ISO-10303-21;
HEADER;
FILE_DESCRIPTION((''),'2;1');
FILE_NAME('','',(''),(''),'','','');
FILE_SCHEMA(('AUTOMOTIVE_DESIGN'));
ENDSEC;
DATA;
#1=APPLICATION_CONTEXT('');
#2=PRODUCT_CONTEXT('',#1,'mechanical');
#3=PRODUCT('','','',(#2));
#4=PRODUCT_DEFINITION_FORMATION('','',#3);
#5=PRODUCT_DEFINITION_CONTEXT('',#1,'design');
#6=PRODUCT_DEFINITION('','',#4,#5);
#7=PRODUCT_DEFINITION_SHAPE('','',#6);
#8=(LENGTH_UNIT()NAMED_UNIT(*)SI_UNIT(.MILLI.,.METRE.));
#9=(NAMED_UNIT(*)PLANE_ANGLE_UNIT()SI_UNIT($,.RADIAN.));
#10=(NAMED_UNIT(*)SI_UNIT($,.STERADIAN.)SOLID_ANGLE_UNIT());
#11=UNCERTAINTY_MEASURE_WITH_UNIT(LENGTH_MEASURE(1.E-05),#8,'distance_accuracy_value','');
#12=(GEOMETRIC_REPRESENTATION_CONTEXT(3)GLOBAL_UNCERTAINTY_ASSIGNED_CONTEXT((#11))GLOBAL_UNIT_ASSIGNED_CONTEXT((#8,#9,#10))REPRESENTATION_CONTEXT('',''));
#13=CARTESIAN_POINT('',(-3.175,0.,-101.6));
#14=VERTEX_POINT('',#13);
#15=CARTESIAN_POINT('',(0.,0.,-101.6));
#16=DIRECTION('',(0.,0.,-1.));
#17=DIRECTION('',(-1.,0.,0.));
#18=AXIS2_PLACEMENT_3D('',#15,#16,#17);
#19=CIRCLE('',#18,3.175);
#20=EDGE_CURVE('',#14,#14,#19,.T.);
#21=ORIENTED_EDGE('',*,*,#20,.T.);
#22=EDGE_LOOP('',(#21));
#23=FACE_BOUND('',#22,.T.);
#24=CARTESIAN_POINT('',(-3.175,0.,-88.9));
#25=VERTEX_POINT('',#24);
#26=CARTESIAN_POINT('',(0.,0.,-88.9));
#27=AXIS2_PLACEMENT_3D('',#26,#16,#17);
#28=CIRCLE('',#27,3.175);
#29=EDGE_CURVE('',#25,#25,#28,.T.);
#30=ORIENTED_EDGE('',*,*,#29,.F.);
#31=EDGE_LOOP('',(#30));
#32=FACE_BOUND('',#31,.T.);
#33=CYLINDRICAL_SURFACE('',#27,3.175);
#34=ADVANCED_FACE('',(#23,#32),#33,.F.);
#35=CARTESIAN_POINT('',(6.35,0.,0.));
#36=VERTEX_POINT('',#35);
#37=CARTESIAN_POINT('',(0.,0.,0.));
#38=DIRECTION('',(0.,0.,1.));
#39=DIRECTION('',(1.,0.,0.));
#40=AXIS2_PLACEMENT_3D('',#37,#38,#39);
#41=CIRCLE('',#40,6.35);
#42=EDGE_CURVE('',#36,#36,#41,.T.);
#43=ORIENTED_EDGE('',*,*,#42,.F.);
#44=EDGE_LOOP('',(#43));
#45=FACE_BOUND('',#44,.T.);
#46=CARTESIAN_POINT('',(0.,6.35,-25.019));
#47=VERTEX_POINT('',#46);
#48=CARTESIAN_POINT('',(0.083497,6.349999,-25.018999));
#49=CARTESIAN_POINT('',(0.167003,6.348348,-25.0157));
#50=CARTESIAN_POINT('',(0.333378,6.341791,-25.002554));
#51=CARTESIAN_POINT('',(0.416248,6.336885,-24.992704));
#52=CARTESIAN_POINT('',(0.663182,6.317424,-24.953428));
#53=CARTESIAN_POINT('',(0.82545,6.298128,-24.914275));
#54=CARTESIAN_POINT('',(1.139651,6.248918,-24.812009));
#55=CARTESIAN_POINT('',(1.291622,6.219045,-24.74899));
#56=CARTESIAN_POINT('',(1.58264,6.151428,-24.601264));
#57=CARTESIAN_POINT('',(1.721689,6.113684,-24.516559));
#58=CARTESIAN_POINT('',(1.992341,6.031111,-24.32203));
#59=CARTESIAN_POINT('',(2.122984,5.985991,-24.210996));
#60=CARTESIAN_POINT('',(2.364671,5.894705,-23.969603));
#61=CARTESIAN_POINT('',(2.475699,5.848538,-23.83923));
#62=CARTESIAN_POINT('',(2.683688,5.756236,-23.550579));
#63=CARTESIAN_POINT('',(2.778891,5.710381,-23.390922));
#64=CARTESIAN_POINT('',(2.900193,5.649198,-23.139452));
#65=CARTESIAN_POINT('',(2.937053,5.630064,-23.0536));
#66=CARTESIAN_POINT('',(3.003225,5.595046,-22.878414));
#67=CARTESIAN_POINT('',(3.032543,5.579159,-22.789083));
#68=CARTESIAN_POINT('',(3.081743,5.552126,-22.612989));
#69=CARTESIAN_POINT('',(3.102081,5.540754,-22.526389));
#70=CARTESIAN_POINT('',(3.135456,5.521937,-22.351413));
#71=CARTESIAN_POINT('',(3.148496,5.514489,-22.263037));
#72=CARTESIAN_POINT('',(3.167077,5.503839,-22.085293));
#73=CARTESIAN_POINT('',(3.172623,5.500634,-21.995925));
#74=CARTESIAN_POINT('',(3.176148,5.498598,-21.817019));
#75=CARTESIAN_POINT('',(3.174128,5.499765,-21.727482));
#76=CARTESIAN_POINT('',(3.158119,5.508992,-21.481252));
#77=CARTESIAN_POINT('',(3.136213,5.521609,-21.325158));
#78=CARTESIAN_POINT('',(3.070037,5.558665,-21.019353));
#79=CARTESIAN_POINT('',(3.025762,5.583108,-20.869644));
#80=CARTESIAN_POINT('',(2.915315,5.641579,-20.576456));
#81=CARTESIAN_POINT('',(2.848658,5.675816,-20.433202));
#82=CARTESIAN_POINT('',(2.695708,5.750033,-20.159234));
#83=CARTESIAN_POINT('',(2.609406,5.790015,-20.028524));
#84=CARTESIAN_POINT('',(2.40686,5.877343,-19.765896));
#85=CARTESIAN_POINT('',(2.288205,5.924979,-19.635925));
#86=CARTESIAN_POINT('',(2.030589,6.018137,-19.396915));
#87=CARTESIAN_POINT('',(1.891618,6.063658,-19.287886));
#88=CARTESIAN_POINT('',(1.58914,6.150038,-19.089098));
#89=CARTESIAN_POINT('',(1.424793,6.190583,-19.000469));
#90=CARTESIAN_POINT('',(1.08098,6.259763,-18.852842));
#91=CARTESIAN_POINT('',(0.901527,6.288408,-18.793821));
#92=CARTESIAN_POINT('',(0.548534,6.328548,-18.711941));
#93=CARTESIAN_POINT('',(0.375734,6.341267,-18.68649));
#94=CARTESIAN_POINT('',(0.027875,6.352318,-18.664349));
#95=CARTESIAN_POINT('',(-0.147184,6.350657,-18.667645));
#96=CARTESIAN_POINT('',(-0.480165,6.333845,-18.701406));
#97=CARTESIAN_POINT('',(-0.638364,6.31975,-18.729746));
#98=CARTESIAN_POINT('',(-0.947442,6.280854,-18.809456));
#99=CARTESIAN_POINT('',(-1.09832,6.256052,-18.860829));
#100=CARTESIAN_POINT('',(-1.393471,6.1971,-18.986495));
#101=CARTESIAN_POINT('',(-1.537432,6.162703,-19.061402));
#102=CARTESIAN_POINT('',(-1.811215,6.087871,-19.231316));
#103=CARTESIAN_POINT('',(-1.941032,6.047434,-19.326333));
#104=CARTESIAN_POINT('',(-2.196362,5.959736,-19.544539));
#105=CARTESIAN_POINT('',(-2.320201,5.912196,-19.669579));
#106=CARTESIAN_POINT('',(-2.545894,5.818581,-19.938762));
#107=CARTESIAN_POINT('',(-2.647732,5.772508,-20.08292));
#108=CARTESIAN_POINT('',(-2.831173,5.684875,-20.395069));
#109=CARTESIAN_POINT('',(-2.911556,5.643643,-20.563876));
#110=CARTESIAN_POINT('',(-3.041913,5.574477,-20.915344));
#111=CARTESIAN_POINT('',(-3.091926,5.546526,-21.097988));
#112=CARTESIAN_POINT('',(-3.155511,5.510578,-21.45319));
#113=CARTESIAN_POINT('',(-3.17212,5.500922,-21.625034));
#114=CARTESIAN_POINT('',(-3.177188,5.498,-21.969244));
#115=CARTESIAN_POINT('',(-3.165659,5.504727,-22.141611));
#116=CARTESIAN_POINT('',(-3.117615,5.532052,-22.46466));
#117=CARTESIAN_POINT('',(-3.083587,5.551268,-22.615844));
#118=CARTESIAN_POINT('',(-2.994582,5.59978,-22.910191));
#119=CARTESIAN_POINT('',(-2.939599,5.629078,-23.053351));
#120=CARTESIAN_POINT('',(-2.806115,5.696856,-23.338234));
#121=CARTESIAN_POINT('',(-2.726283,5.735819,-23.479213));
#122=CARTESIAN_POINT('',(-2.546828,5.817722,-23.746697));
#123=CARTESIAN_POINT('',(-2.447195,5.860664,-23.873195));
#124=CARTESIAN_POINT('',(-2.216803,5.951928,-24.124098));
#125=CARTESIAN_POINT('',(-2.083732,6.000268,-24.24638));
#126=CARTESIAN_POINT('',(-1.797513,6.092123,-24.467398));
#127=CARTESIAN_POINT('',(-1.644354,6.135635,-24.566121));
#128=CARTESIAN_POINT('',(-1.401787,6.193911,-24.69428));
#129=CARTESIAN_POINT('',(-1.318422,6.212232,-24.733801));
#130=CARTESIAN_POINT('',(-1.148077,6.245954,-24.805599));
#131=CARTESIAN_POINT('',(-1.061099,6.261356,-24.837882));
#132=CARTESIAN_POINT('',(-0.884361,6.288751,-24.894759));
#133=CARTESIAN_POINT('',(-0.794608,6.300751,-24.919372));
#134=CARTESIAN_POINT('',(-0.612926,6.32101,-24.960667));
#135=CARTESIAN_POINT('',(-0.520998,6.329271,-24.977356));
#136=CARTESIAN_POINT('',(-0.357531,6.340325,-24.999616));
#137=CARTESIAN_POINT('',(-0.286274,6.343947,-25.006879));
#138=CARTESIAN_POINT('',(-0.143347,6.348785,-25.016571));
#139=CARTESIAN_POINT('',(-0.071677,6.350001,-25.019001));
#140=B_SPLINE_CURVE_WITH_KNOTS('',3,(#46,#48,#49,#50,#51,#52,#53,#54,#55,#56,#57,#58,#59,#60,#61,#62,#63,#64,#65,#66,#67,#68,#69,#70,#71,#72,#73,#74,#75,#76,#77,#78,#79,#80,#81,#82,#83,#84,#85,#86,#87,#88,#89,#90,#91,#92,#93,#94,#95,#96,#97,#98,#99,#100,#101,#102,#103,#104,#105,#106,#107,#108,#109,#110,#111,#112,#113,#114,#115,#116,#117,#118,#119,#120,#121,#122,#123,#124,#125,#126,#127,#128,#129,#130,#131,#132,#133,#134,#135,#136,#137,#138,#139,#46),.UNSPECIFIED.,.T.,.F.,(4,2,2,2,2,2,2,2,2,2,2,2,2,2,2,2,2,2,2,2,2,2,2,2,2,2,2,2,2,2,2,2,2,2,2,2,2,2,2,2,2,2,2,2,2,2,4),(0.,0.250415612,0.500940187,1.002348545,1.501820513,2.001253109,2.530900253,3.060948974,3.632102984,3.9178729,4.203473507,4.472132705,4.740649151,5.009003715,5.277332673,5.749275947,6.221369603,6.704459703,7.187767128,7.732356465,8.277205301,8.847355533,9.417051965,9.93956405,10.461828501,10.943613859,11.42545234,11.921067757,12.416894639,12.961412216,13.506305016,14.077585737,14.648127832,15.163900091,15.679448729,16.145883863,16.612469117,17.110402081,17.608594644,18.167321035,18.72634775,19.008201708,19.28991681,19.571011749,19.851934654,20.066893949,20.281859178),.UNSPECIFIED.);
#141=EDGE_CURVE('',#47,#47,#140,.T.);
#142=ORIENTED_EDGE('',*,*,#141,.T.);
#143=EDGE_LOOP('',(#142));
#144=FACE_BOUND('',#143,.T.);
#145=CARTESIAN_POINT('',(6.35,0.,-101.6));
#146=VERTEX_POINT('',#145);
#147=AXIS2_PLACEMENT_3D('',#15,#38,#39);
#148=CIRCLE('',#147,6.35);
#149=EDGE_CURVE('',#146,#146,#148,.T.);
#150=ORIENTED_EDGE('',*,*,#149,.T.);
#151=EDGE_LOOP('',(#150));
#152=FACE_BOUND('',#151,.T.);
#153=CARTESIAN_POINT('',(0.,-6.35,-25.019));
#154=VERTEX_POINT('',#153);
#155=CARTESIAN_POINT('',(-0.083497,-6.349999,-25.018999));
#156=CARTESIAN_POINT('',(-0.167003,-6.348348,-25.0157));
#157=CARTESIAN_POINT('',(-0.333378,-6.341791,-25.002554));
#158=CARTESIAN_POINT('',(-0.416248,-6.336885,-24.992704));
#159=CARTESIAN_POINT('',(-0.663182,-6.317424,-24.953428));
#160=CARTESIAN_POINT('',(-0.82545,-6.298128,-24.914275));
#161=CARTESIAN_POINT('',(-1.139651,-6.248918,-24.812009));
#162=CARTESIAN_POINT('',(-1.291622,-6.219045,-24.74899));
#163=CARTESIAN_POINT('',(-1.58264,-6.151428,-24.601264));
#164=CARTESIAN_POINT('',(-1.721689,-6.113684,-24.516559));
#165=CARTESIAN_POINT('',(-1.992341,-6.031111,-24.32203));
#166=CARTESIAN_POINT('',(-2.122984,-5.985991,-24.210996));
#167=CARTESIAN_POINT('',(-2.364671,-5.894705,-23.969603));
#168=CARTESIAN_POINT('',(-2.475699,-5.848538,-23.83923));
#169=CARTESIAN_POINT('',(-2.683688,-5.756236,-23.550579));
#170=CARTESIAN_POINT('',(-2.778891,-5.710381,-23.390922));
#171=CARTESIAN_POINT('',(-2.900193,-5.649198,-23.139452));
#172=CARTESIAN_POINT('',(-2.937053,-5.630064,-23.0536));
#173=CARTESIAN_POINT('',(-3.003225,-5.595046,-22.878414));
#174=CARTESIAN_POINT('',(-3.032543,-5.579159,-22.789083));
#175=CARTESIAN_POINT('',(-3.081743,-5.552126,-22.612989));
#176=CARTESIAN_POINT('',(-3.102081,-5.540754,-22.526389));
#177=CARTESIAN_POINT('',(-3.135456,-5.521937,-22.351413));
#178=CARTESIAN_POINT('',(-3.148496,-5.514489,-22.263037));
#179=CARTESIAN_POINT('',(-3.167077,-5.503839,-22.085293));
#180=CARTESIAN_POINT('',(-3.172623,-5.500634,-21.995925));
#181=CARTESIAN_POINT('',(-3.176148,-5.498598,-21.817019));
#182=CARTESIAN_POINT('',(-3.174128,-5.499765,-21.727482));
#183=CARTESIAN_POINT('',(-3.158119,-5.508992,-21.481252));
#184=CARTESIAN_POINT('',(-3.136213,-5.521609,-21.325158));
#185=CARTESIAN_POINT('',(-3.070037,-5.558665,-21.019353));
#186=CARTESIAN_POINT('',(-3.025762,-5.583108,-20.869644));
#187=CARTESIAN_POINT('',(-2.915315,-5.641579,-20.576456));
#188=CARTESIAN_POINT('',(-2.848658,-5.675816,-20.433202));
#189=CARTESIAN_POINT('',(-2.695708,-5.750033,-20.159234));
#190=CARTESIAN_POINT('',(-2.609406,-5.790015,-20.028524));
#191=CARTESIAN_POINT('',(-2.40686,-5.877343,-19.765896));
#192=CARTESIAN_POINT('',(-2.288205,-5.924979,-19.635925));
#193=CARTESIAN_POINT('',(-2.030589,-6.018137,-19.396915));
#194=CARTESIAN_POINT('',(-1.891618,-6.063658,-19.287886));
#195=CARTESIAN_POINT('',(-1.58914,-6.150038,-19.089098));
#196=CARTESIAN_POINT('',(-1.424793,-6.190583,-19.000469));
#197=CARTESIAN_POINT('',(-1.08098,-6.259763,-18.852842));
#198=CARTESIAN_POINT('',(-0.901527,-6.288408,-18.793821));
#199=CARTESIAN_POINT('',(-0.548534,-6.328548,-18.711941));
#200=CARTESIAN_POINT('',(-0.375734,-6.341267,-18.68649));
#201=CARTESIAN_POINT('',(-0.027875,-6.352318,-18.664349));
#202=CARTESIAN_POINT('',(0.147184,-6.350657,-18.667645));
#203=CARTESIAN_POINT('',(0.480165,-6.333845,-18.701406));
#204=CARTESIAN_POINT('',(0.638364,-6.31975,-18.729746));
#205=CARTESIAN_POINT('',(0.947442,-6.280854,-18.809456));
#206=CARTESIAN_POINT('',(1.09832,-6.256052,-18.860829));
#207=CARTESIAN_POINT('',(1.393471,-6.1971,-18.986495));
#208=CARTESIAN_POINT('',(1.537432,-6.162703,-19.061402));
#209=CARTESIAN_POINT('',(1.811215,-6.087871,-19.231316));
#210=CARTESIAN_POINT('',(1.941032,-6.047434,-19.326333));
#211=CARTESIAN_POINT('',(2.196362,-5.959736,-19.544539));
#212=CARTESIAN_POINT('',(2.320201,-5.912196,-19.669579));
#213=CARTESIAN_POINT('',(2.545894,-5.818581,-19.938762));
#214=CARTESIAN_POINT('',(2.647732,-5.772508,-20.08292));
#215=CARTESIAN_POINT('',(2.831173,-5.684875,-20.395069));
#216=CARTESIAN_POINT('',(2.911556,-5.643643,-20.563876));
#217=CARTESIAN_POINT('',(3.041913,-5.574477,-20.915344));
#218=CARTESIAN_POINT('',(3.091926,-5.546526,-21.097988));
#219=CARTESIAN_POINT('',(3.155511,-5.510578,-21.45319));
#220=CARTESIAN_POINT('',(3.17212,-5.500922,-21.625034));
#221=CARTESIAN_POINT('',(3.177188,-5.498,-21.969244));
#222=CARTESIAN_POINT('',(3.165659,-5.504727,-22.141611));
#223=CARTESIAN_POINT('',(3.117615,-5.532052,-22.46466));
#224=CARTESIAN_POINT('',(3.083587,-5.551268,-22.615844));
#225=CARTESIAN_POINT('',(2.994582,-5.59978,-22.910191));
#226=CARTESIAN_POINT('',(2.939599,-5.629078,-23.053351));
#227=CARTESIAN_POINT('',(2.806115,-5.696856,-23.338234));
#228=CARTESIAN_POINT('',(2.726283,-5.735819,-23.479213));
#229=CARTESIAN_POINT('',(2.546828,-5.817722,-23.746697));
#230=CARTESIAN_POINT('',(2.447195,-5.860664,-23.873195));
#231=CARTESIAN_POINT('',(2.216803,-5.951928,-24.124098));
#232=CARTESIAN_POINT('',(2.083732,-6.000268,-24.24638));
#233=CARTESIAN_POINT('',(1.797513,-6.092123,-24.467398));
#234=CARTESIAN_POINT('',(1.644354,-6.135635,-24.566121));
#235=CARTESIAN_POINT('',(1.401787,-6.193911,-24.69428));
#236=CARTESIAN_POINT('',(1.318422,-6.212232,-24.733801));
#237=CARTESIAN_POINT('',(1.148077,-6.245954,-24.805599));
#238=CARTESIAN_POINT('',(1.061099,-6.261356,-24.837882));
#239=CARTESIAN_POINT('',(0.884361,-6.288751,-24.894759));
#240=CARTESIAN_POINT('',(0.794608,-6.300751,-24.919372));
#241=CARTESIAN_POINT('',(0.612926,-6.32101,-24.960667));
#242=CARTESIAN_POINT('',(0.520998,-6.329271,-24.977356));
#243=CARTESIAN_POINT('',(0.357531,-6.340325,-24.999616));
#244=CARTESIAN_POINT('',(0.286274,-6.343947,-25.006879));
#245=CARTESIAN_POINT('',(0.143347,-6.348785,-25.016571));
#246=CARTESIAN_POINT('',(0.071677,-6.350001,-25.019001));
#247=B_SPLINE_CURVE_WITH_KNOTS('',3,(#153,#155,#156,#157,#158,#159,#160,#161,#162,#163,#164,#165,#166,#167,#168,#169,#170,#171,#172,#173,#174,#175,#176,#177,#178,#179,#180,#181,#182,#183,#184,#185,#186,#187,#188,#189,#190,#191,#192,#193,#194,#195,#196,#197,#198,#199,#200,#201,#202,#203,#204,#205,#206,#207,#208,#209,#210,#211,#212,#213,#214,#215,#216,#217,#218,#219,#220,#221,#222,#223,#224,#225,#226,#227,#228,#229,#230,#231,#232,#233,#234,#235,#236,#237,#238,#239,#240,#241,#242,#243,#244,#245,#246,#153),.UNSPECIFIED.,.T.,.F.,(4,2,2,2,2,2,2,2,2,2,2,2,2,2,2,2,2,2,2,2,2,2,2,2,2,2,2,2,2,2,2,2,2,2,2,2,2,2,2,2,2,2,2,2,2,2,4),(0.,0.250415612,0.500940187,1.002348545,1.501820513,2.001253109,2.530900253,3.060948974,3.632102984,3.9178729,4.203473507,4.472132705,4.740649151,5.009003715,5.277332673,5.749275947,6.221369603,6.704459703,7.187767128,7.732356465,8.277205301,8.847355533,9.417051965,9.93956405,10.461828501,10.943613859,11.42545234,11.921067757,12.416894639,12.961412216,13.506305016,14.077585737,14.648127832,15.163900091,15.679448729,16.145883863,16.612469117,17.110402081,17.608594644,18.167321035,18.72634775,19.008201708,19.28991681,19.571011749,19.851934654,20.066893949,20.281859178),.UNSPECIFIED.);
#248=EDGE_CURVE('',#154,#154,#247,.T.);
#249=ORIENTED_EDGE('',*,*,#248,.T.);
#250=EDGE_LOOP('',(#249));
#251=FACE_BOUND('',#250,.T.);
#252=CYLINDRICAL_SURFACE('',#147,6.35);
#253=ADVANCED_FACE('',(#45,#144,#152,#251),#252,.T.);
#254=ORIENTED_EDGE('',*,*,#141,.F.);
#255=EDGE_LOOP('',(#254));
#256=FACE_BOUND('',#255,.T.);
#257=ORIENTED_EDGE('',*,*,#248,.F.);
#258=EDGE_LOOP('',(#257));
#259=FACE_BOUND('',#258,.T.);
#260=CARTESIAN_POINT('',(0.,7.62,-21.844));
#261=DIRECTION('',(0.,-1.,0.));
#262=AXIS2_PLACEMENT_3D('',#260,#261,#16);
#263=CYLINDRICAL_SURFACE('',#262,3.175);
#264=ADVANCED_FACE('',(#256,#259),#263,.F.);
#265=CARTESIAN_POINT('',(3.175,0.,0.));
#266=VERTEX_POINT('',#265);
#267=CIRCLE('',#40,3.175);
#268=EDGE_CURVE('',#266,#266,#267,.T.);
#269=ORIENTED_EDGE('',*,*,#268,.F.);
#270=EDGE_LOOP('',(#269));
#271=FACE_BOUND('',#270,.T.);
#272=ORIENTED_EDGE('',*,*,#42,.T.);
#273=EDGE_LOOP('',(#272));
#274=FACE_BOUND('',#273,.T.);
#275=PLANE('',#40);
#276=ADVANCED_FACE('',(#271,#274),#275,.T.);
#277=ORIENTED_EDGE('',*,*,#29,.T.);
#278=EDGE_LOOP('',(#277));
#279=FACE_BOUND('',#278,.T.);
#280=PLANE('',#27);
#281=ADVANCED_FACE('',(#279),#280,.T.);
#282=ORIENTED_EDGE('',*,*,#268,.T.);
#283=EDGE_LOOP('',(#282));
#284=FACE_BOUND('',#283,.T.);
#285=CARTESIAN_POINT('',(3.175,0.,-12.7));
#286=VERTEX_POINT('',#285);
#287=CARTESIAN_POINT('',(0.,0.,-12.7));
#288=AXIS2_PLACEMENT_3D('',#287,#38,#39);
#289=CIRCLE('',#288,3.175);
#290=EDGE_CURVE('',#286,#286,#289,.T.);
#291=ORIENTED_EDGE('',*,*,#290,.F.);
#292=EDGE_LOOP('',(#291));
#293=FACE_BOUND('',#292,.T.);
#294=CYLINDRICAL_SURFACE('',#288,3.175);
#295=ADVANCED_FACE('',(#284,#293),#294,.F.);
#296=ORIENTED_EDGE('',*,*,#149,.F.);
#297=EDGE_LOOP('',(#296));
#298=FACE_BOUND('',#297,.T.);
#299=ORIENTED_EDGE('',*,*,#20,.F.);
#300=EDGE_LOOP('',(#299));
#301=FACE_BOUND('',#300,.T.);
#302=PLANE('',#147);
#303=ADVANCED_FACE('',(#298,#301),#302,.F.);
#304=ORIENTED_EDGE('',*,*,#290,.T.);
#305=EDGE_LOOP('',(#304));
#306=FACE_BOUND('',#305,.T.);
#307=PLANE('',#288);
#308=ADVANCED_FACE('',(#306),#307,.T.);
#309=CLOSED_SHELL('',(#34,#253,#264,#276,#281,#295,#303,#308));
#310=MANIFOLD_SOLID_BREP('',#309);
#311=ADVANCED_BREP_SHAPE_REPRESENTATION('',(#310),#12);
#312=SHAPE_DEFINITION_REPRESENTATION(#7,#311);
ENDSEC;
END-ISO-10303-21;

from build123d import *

# Parameters (mm, degrees)
SKETCH1_R               = 6.35
BOSS_EXTRUDE1_DEPTH     = 101.6
SKETCH7_R               = 3.175
CUT_EXTRUDE4_DEPTH      = 12.7
CUT_EXTRUDE5_DEPTH      = 7.62
CUT_EXTRUDE5_DEPTH_BACK = 8.636
SKETCH10_R              = 3.175
CUT_EXTRUDE6_START      = -12.7
SKETCH11_R              = 3.175
CUT_EXTRUDE6_DEPTH      = 12.7


with BuildPart() as part:
    # Sketch1 → Boss-Extrude1 (new body)
    with BuildSketch(Plane.XY):
        Circle(SKETCH1_R)
    extrude(amount=-BOSS_EXTRUDE1_DEPTH)

    # Sketch7 → Cut-Extrude4 (cut)
    with BuildSketch(Plane(origin=(0, 0, -101.6), x_dir=(-1, 0, 0), z_dir=(0, 0, -1))):
        Circle(SKETCH7_R)
    extrude(amount=-CUT_EXTRUDE4_DEPTH, mode=Mode.SUBTRACT)

    # Sketch10 → Cut-Extrude5 (cut, two sides: drawn at the far end of the back side and taken through both)
    with BuildSketch(Plane(origin=(0, 0, 0), x_dir=(1, 0, 0), z_dir=(0, 1, 0)).offset(-CUT_EXTRUDE5_DEPTH_BACK)):
        with Locations(Location((0, 21.844, 0), (0, 0, 90))):
            Circle(SKETCH10_R)
    extrude(amount=CUT_EXTRUDE5_DEPTH + CUT_EXTRUDE5_DEPTH_BACK, mode=Mode.SUBTRACT)

    # Sketch11 → Cut-Extrude6 (cut)
    with BuildSketch(Plane.XY.offset(CUT_EXTRUDE6_START)):
        with Locations(Location((0, 0, 0), (0, 0, 180))):
            Circle(SKETCH11_R)
    extrude(amount=CUT_EXTRUDE6_DEPTH, mode=Mode.SUBTRACT)


solid = part.part
